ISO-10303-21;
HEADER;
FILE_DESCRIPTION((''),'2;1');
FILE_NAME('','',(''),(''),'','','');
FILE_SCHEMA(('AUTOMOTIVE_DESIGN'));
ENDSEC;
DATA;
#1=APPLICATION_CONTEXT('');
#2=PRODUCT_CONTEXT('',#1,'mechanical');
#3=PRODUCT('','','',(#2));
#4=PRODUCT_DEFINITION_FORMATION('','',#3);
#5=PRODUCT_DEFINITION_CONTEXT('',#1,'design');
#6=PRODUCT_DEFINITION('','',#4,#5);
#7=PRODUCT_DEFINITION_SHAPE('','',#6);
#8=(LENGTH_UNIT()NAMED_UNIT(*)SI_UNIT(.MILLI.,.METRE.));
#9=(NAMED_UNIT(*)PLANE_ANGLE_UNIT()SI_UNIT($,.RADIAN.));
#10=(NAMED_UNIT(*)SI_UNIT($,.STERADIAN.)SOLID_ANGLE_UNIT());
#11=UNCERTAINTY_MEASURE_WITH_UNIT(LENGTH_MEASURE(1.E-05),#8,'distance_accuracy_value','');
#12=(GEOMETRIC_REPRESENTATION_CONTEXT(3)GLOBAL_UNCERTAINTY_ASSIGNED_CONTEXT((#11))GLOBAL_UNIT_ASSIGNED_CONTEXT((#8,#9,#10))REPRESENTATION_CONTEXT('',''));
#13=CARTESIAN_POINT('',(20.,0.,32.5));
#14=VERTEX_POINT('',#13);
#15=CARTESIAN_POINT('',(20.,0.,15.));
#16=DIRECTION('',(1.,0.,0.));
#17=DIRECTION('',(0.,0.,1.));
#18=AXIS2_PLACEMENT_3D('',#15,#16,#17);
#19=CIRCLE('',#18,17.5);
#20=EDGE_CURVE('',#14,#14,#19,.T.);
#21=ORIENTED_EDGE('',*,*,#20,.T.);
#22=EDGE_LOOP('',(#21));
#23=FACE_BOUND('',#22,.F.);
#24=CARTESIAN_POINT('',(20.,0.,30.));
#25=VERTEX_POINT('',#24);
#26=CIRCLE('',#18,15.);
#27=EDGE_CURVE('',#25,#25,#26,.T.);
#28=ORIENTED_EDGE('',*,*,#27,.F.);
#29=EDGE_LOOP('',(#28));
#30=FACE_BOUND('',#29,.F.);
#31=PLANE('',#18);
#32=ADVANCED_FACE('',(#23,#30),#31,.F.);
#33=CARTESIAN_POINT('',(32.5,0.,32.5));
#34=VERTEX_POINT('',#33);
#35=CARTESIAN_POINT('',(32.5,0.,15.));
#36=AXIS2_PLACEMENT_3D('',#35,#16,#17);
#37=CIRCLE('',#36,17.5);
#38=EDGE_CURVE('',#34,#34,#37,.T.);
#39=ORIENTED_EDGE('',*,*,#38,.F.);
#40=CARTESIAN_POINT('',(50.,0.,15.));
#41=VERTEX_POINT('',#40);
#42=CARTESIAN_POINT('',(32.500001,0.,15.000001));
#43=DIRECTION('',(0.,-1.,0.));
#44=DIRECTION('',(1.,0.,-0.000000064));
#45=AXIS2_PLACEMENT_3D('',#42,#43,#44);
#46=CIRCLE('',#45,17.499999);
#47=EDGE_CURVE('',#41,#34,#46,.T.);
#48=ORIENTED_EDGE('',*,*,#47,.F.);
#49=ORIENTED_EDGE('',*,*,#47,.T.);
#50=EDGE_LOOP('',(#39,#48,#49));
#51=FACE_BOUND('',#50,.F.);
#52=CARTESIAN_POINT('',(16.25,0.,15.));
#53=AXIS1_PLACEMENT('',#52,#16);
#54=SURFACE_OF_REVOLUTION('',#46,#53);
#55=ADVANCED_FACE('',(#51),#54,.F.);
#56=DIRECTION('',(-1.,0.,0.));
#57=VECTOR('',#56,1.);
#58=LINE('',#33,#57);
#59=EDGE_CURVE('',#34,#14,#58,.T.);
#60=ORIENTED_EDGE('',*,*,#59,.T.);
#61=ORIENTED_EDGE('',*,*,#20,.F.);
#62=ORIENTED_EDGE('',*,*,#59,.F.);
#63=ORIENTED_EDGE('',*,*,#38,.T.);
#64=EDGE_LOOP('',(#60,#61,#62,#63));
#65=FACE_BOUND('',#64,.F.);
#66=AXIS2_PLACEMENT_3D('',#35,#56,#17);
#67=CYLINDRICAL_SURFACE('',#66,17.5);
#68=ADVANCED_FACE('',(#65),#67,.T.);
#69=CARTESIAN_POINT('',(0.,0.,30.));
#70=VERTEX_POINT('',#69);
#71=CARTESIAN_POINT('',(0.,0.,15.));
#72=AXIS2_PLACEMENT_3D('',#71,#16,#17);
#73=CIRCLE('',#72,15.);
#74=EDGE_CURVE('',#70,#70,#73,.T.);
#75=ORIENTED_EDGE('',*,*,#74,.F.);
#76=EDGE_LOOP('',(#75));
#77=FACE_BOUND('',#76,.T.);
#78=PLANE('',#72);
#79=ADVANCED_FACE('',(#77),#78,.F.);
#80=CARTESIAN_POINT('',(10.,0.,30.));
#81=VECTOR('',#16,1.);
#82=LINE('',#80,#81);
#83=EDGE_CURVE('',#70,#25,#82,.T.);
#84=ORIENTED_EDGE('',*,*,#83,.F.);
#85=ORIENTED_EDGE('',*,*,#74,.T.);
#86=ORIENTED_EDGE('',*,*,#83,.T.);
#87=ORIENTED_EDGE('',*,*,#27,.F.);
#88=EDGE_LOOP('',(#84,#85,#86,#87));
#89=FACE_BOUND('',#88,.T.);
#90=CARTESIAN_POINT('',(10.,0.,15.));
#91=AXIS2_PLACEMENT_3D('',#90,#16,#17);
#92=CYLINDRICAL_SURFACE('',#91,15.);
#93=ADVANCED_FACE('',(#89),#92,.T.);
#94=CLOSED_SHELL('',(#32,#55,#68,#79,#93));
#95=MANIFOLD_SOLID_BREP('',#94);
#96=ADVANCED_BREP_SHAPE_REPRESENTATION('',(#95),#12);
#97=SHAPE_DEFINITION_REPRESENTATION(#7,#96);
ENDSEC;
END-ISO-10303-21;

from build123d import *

# Parameters (mm, degrees)
F0_W = 20
F0_H = 15


with BuildPart() as f1:
    # F0 (on Front) → F1 (revolve)
    with BuildSketch(Plane.XZ):
        with Locations((10, 22.5)):
            Rectangle(F0_W, F0_H)
        Polygon((20, 30), (20, 15), (32.5, 15), (32.5, 32.5), (20, 32.5), align=None)
        with BuildLine():
            Line((32.5, 32.5), (32.5, 15))
            Line((32.5, 15), (50, 15))
            ThreePointArc((50, 15), (44.874369, 27.374369), (32.5, 32.5))
        make_face()
    revolve(axis=Axis((16.25, 0, 15), (1, 0, 0)))


solid = f1.part
